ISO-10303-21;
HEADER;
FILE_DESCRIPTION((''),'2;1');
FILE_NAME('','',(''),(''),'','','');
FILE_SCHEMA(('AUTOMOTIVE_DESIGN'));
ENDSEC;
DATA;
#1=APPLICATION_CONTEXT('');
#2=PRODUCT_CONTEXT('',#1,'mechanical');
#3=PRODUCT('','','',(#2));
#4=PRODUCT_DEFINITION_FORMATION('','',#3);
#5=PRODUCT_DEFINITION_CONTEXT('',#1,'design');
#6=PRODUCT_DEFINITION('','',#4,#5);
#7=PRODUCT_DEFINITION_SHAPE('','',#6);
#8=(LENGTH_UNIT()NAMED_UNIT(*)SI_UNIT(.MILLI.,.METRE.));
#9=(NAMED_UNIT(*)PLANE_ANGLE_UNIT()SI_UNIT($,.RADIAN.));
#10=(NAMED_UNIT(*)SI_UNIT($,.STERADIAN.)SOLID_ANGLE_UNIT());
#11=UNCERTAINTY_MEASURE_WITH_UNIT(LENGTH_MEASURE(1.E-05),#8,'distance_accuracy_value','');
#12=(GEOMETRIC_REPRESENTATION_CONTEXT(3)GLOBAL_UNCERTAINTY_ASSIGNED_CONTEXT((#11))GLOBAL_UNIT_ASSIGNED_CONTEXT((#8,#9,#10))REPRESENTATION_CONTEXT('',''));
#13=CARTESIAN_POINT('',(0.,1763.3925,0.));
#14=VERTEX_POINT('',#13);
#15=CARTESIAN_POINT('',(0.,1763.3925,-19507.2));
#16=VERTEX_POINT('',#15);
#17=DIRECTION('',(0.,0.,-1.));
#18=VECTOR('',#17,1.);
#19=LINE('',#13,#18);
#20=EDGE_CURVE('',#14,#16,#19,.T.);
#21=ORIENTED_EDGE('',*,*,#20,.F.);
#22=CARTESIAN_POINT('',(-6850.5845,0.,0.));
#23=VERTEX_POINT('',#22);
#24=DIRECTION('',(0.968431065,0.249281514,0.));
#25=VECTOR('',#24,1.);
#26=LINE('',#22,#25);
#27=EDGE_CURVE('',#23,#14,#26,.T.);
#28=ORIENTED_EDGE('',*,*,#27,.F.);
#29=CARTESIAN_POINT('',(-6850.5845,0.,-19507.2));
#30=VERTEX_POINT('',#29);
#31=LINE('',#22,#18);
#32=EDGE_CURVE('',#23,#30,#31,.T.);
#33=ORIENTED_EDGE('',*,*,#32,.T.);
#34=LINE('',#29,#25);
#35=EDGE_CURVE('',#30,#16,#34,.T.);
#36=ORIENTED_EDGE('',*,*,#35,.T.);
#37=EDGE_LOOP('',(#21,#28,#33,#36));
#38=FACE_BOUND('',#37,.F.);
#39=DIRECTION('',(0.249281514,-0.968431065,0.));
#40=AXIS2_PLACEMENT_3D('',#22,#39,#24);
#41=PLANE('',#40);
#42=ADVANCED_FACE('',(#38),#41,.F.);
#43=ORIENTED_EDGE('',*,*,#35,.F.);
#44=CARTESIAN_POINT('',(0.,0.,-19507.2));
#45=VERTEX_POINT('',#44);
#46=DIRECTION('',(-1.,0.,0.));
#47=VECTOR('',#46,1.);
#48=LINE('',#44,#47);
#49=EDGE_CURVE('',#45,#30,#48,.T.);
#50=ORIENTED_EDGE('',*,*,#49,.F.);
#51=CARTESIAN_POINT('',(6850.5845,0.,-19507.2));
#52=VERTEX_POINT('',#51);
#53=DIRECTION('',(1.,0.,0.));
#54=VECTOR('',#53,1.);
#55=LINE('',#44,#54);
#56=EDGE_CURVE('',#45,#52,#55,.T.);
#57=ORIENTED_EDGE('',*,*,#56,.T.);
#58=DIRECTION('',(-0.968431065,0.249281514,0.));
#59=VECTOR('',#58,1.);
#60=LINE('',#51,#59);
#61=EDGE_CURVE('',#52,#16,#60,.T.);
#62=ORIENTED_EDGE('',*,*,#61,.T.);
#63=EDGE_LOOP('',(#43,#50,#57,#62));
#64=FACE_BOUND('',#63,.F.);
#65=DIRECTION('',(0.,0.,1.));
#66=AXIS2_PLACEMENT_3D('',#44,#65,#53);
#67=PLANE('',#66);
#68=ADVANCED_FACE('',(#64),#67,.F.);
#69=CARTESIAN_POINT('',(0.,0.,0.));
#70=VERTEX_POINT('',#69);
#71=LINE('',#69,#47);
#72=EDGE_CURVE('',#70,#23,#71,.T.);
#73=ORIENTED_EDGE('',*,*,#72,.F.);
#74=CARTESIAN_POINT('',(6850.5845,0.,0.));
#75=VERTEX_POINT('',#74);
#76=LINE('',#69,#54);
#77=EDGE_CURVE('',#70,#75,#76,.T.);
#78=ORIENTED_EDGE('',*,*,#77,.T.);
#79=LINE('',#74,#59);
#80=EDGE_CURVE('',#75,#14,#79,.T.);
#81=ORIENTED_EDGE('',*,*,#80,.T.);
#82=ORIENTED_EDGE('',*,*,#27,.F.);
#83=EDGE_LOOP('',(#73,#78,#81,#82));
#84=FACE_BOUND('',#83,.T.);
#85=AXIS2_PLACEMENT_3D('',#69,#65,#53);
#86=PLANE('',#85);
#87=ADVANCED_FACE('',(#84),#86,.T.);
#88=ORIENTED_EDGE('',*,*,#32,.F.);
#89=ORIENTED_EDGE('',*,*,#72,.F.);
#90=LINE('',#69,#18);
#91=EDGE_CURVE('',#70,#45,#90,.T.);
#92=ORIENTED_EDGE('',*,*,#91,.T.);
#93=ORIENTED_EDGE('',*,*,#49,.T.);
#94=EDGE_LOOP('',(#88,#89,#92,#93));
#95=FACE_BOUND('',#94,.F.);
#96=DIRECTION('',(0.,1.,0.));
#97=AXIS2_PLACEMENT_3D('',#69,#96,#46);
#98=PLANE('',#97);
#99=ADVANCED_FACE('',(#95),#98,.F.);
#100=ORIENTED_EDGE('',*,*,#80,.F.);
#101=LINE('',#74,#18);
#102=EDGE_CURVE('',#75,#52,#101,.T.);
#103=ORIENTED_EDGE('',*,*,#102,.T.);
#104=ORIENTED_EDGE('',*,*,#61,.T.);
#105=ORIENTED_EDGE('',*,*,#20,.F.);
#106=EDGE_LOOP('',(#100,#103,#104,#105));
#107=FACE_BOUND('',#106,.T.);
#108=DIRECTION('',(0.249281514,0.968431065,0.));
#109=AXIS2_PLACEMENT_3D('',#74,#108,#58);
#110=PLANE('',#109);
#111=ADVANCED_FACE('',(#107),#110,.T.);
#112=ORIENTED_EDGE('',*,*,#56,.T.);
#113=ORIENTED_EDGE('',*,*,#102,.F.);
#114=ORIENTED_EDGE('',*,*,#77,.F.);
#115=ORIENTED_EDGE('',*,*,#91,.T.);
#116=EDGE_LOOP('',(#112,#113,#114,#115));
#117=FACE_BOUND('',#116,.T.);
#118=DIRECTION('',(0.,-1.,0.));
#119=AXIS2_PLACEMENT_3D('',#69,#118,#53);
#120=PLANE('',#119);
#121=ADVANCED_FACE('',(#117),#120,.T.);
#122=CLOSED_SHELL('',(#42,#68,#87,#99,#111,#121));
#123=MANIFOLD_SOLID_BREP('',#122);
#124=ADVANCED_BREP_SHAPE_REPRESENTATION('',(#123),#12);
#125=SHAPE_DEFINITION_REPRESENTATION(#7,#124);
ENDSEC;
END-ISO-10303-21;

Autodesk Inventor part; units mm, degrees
ref_plane "YZ Plane" through (0, 0, 0) normal (1, 0, 0) x (0, 1, 0)
ref_plane "XZ Plane" through (0, 0, 0) normal (0, 1, 0) x (-1, 0, 0)
ref_plane "XY Plane" through (0, 0, 0) normal (0, 0, 1) x (1, 0, 0)
sketch "Sketch1" plane through (0, 0, 0) normal (0, 0, 1) x (1, 0, 0)
  line L0 (0, 0) -> (-6850.5845, 0)
  line L1 (-6850.5845, 0) -> (0, 1763.3925)
  line L2 (0, 1763.3925) -> (0, 0) construction
  line L3 (0, 0) -> (6850.5845, 0)
  line L4 (6850.5845, 0) -> (0, 1763.3925)
  dimension "d0" = 14.435
  dimension "d1" = 14.435
  dimension "d2" = 7073.9
  dimension "d3" = 7073.9
extrude "Extrusion1" add sketch "Sketch1" against normal blind 19507.2
equation "\"d0\" = pitch_4_12"
equation "\"d1\" = pitch_4_12"
equation "\"pitch_4_12\" = 14.435deg"
properties part number "roofingSchematic"
